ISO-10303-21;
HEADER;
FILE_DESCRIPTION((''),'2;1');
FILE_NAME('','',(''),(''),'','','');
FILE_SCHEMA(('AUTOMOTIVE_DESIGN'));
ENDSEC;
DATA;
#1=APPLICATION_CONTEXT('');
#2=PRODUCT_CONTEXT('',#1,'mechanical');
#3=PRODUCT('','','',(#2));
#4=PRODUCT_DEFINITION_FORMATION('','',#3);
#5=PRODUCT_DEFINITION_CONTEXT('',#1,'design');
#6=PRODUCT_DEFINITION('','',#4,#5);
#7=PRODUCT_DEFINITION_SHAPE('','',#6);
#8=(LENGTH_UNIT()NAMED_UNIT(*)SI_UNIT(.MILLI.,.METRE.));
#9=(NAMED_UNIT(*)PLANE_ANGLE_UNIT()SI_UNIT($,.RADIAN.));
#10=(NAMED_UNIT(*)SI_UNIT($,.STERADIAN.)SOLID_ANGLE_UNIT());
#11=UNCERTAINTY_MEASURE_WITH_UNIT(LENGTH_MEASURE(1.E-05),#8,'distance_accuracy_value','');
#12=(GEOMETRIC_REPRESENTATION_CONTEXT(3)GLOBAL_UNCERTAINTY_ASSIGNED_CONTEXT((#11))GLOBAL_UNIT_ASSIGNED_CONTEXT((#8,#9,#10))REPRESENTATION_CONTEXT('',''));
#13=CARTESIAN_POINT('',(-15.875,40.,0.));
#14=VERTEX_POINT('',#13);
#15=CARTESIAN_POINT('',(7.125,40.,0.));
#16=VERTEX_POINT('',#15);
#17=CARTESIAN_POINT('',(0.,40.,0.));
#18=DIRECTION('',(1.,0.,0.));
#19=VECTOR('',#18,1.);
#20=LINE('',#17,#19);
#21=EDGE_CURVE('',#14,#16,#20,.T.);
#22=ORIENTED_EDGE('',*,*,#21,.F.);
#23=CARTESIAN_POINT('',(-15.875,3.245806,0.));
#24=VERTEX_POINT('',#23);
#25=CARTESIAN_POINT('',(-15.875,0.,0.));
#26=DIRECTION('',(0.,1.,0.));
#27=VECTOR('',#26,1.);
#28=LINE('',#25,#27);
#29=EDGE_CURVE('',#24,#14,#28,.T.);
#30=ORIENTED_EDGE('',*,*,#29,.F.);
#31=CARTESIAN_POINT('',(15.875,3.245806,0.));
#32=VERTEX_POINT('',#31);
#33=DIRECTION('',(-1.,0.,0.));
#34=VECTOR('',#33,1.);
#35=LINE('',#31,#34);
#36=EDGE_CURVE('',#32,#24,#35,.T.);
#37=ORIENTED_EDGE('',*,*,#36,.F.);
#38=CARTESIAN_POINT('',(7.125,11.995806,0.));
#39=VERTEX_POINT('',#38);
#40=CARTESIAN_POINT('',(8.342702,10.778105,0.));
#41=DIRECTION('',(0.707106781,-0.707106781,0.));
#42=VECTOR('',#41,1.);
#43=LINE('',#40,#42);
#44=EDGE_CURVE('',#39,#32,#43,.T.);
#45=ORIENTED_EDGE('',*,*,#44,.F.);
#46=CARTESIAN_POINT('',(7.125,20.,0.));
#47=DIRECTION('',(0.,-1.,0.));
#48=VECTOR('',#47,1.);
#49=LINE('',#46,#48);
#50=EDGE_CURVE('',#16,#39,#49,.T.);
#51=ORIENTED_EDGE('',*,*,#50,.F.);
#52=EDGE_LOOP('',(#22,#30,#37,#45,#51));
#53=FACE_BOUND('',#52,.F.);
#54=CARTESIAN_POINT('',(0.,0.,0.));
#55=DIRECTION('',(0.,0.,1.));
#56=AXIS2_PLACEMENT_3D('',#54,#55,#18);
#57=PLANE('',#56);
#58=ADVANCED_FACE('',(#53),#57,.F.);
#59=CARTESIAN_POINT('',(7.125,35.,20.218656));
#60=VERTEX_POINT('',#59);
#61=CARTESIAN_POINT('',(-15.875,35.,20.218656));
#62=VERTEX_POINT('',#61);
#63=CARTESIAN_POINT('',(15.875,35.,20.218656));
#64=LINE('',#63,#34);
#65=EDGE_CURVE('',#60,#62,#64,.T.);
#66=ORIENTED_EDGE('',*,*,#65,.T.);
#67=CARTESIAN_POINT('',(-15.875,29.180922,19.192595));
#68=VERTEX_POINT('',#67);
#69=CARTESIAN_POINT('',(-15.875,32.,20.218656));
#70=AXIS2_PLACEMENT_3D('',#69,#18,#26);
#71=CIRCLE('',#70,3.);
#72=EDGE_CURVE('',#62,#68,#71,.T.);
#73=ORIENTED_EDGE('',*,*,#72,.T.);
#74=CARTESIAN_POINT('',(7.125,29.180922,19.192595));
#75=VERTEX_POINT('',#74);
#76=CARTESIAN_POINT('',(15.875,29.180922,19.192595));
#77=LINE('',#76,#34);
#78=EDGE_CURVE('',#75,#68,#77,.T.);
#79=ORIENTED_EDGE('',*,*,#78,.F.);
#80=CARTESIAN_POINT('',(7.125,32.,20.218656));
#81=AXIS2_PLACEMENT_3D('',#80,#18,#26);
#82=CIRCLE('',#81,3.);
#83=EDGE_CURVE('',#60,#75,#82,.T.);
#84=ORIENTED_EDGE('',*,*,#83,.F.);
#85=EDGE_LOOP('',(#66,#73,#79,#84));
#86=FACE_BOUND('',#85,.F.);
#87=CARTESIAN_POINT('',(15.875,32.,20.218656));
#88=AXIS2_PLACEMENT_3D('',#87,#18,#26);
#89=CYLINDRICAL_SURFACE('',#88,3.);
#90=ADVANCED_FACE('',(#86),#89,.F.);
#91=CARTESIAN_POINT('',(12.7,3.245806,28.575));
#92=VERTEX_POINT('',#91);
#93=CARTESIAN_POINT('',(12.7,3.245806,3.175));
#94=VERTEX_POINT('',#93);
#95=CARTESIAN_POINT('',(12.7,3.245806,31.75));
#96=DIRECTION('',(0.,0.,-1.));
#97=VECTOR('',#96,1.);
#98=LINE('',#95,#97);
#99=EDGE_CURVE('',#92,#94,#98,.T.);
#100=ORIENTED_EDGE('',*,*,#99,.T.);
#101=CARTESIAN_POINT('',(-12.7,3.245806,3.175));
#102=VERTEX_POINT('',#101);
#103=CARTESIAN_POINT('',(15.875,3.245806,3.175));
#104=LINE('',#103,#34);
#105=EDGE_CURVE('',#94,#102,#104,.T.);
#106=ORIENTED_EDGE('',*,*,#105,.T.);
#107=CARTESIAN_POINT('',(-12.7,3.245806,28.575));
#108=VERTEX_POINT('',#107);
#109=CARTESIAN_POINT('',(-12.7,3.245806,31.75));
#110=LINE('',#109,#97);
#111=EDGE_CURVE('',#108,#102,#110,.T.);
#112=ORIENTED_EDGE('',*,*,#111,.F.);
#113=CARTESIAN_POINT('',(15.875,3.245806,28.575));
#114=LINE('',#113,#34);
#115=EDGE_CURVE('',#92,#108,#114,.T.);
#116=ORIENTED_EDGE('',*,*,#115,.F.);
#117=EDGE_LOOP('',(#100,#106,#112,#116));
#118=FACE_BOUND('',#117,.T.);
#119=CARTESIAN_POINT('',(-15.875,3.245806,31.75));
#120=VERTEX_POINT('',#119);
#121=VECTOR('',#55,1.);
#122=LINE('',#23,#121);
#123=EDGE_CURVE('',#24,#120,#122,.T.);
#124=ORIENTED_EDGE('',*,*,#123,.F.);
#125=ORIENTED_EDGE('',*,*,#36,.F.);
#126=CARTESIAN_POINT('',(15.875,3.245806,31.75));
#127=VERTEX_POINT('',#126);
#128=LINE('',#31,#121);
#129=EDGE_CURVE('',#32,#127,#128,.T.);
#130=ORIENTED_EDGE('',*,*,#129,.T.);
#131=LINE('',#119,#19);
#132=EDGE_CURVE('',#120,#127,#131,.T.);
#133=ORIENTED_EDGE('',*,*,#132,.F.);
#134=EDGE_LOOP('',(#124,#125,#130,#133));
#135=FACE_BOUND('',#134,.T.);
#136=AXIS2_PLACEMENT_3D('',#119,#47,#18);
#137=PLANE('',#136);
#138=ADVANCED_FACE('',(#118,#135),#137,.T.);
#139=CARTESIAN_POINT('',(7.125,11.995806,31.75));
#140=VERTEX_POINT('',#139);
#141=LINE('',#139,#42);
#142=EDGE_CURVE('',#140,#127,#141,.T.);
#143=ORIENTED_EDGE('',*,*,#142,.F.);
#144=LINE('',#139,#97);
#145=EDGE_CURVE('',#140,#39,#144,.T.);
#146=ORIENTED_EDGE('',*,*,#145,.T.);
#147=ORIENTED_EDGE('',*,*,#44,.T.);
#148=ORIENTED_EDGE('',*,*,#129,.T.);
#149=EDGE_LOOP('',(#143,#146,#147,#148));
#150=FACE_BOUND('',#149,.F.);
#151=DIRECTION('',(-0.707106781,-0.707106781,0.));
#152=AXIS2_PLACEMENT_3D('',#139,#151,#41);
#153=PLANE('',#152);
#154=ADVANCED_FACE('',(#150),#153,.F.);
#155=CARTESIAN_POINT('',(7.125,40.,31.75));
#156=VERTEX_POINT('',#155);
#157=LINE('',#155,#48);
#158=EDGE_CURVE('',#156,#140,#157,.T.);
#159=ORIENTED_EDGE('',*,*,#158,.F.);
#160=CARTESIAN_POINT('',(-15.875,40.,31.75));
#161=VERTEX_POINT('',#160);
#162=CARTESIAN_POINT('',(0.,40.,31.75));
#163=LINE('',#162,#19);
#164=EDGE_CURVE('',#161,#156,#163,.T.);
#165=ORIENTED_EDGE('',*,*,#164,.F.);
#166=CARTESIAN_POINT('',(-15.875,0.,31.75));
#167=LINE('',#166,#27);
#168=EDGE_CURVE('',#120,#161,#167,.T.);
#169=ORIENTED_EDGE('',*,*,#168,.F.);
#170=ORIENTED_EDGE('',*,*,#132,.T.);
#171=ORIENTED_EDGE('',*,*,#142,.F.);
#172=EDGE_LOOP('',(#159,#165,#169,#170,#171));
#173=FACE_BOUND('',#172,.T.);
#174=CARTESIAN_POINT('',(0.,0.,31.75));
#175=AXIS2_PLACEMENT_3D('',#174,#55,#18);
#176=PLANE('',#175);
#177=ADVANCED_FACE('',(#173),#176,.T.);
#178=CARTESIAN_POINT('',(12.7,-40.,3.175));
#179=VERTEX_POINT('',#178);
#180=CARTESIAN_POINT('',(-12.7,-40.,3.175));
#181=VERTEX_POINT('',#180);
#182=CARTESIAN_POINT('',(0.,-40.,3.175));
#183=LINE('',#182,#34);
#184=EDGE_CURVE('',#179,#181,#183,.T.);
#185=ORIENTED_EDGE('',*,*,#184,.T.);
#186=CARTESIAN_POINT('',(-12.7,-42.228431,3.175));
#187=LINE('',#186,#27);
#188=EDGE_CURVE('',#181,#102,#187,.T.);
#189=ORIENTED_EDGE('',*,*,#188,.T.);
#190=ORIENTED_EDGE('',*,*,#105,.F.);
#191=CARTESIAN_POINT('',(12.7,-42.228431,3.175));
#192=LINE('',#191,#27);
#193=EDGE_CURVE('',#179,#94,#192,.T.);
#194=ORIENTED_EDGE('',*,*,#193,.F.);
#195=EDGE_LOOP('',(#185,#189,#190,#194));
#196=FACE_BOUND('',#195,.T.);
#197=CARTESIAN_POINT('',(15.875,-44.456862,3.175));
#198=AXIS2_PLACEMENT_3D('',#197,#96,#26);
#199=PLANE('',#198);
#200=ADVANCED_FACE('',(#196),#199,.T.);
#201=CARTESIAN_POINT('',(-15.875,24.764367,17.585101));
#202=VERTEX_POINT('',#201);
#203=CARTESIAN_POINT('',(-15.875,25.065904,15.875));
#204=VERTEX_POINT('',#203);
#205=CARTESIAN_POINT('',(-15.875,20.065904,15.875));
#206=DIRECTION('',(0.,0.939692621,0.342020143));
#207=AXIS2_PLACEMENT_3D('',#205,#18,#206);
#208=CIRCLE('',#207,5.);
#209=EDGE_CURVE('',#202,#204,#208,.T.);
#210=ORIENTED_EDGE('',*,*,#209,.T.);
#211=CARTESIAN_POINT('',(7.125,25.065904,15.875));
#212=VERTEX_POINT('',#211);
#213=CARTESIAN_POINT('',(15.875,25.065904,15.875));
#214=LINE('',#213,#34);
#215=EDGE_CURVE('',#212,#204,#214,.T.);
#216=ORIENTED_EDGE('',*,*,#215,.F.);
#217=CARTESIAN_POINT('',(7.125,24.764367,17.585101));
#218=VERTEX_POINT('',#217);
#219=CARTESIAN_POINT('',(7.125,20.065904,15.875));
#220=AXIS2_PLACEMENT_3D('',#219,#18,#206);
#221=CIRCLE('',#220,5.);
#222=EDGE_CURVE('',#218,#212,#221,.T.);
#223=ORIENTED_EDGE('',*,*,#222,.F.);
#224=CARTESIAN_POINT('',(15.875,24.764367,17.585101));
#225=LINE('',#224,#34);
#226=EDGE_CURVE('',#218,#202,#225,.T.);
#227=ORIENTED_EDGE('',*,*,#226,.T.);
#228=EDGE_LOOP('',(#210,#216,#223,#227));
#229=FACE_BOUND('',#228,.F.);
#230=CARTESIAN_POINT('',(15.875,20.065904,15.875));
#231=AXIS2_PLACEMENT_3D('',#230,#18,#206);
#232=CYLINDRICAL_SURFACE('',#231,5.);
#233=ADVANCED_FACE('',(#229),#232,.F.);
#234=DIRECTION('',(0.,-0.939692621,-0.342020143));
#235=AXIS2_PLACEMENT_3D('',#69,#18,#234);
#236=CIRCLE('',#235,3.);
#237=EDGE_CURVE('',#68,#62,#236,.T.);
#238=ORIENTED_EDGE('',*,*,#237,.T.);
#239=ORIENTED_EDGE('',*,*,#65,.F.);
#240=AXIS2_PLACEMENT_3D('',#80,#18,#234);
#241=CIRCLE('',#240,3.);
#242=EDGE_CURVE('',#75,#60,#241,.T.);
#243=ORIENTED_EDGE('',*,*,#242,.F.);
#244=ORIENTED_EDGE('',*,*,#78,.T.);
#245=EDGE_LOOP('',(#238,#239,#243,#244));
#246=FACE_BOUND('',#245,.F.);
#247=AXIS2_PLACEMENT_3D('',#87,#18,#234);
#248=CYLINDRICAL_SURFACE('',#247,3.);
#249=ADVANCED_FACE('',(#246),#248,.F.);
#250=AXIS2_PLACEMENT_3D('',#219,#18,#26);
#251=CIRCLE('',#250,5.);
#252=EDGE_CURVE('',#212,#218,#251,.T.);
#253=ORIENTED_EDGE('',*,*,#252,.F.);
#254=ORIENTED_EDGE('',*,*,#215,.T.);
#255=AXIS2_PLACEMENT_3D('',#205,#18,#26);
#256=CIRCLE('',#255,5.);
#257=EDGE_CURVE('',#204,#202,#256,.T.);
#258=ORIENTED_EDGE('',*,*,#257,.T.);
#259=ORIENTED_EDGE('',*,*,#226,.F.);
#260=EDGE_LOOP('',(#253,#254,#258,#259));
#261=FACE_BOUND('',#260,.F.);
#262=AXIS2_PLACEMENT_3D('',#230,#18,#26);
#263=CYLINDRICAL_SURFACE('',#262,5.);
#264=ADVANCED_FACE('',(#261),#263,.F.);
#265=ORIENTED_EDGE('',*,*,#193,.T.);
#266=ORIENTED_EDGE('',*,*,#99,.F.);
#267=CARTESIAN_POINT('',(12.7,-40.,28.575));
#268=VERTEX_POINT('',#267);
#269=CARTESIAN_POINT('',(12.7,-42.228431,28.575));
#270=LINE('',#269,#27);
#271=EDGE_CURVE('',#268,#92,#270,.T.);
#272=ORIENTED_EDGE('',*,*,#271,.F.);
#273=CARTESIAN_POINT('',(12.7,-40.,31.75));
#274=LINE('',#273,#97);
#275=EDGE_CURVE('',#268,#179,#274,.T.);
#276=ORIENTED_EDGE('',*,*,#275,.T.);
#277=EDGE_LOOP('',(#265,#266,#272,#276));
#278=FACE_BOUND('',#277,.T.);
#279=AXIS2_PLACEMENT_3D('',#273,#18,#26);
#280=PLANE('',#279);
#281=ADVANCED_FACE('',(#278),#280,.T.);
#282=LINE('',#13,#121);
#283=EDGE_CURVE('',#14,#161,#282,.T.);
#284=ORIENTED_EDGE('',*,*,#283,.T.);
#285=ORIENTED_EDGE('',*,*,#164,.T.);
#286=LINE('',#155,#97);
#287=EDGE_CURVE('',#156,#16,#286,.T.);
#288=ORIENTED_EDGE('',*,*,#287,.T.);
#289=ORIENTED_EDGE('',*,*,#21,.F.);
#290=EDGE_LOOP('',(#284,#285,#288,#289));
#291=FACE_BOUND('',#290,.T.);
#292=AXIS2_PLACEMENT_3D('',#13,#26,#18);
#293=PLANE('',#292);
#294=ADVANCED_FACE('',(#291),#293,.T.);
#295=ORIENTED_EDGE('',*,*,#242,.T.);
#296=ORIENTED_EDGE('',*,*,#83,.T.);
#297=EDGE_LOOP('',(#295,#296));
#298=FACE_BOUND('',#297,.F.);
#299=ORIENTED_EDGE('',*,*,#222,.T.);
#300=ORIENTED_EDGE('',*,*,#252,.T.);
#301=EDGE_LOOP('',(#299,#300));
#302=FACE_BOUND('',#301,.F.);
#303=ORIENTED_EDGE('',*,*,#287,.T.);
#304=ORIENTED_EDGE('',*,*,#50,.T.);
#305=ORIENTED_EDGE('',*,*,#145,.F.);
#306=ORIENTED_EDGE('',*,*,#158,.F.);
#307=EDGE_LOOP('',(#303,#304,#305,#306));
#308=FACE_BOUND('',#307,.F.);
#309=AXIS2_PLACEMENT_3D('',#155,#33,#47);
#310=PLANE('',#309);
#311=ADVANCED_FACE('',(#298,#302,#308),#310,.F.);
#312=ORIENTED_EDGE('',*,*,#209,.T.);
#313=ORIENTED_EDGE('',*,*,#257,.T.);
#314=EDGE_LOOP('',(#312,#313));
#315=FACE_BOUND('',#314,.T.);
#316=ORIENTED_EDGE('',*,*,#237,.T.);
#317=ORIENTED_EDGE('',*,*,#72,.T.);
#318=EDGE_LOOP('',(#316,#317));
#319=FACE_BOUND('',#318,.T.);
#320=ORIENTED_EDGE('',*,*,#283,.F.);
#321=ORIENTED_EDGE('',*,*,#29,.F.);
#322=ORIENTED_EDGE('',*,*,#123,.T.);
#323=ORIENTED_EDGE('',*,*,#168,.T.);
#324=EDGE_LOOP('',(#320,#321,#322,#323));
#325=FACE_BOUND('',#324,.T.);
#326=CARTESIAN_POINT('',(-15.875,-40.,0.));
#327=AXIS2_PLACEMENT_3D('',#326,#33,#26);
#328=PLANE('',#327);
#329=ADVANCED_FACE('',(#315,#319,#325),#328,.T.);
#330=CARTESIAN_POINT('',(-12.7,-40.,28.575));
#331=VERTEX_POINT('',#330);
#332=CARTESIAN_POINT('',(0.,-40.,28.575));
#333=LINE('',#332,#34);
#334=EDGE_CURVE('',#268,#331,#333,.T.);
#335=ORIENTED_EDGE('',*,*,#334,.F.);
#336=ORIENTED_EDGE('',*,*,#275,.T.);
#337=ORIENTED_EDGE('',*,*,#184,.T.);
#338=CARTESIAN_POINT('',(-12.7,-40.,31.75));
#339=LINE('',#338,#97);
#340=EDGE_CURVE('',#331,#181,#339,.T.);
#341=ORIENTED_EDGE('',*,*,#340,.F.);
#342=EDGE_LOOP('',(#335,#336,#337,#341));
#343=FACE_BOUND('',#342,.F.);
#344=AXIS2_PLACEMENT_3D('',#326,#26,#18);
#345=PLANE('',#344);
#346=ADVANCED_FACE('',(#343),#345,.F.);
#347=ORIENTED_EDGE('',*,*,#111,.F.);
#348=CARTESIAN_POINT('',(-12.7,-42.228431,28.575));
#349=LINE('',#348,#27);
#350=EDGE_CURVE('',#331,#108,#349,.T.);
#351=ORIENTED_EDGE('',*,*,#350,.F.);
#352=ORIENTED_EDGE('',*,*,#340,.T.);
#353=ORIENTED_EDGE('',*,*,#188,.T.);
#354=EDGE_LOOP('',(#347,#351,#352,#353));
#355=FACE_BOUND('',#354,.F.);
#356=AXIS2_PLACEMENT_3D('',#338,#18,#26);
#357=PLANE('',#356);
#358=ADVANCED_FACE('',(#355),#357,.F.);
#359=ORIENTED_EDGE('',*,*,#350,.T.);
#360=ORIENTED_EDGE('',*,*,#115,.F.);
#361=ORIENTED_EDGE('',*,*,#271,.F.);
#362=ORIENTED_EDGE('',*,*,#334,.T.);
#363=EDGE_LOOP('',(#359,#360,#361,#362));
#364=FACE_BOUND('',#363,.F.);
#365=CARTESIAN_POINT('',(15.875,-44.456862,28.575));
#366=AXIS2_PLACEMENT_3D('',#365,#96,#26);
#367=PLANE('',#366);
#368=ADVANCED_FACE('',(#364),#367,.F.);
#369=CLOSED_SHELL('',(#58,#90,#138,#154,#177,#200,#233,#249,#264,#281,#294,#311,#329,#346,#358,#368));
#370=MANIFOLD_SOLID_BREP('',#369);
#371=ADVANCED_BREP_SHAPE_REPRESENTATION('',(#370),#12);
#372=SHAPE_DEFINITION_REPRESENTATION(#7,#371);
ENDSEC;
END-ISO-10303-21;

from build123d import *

# Parameters (mm, degrees)
F0_W     = 31.75
F0_H     = 80
F1_DEPTH = 31.75
F3_DEPTH = 31.751
F4_W     = 25.4
F4_H     = 10
F4_W_2   = 3.175
F4_H_2   = 43.2458060166
F5_DEPTH = 31.751
F6_W     = 47.7026679298
F6_H     = 12.140064659
F6_H_2   = 10.4135097936
F7_DEPTH = 31.751
F9_DEPTH = 31.751


with BuildPart() as f1:
    # F0 (on Top) → F1 (new body)
    with BuildSketch(Plane.XY):
        Rectangle(F0_W, F0_H)
    extrude(amount=F1_DEPTH)

    # F2 (on face) → F3 (cut, through all)
    with BuildSketch(Plane.YZ.offset(15.875)):
        with BuildLine():
            Line((20.065903716, 15.875), (25.065903716, 15.875))
            ThreePointArc((25.065903716, 15.875), (24.9899424811, 16.7432408883), (24.7643668199, 17.5851007166))
            Line((24.7643668199, 17.5851007166), (20.065903716, 15.875))
        make_face()
        with BuildLine():
            ThreePointArc((35, 20.2186558202), (31.479055467, 23.1730790793), (29.1809221376, 19.1925953903))
            ThreePointArc((29.1809221376, 19.1925953903), (32.520944533, 17.2642325612), (35, 20.2186558202))
        make_face()
        with BuildLine():
            ThreePointArc((24.7643668199, 17.5851007166), (15.141864951, 15.0067591117), (25.065903716, 15.875))
            Line((25.065903716, 15.875), (20.065903716, 15.875))
            Line((20.065903716, 15.875), (24.7643668199, 17.5851007166))
        make_face()
    extrude(amount=-F3_DEPTH, mode=Mode.SUBTRACT)

    # F4 (on face) → F5 (cut, through all)
    with BuildSketch(Plane.XY.offset(31.75)):
        with Locations((0, -45)):
            Rectangle(F4_W, F4_H)
        with Locations((14.2875, -18.3770969917)):
            Rectangle(F4_W_2, F4_H_2)
        with Locations((-14.2875, -18.3770969917)):
            Rectangle(F4_W_2, F4_H_2)
    extrude(amount=-F5_DEPTH, mode=Mode.SUBTRACT)

    # F6 (on face) → F7 (cut, through all)
    with BuildSketch(Plane.YZ.offset(15.875)):
        with Locations((-20.6055279483, 34.6450323295)):
            Rectangle(F6_W, F6_H)
        with Locations((-20.6055279483, -2.0317548968)):
            Rectangle(F6_W, F6_H_2)
    extrude(amount=-F7_DEPTH, mode=Mode.SUBTRACT)

    # F8 (on face) → F9 (cut, through all)
    with BuildSketch(Plane.XY.offset(31.75)):
        Polygon((15.875, 3.2458060166), (15.875, 40), (7.125, 40), (7.125, 11.9958060166), align=None)
    extrude(amount=-F9_DEPTH, mode=Mode.SUBTRACT)


solid = f1.part
